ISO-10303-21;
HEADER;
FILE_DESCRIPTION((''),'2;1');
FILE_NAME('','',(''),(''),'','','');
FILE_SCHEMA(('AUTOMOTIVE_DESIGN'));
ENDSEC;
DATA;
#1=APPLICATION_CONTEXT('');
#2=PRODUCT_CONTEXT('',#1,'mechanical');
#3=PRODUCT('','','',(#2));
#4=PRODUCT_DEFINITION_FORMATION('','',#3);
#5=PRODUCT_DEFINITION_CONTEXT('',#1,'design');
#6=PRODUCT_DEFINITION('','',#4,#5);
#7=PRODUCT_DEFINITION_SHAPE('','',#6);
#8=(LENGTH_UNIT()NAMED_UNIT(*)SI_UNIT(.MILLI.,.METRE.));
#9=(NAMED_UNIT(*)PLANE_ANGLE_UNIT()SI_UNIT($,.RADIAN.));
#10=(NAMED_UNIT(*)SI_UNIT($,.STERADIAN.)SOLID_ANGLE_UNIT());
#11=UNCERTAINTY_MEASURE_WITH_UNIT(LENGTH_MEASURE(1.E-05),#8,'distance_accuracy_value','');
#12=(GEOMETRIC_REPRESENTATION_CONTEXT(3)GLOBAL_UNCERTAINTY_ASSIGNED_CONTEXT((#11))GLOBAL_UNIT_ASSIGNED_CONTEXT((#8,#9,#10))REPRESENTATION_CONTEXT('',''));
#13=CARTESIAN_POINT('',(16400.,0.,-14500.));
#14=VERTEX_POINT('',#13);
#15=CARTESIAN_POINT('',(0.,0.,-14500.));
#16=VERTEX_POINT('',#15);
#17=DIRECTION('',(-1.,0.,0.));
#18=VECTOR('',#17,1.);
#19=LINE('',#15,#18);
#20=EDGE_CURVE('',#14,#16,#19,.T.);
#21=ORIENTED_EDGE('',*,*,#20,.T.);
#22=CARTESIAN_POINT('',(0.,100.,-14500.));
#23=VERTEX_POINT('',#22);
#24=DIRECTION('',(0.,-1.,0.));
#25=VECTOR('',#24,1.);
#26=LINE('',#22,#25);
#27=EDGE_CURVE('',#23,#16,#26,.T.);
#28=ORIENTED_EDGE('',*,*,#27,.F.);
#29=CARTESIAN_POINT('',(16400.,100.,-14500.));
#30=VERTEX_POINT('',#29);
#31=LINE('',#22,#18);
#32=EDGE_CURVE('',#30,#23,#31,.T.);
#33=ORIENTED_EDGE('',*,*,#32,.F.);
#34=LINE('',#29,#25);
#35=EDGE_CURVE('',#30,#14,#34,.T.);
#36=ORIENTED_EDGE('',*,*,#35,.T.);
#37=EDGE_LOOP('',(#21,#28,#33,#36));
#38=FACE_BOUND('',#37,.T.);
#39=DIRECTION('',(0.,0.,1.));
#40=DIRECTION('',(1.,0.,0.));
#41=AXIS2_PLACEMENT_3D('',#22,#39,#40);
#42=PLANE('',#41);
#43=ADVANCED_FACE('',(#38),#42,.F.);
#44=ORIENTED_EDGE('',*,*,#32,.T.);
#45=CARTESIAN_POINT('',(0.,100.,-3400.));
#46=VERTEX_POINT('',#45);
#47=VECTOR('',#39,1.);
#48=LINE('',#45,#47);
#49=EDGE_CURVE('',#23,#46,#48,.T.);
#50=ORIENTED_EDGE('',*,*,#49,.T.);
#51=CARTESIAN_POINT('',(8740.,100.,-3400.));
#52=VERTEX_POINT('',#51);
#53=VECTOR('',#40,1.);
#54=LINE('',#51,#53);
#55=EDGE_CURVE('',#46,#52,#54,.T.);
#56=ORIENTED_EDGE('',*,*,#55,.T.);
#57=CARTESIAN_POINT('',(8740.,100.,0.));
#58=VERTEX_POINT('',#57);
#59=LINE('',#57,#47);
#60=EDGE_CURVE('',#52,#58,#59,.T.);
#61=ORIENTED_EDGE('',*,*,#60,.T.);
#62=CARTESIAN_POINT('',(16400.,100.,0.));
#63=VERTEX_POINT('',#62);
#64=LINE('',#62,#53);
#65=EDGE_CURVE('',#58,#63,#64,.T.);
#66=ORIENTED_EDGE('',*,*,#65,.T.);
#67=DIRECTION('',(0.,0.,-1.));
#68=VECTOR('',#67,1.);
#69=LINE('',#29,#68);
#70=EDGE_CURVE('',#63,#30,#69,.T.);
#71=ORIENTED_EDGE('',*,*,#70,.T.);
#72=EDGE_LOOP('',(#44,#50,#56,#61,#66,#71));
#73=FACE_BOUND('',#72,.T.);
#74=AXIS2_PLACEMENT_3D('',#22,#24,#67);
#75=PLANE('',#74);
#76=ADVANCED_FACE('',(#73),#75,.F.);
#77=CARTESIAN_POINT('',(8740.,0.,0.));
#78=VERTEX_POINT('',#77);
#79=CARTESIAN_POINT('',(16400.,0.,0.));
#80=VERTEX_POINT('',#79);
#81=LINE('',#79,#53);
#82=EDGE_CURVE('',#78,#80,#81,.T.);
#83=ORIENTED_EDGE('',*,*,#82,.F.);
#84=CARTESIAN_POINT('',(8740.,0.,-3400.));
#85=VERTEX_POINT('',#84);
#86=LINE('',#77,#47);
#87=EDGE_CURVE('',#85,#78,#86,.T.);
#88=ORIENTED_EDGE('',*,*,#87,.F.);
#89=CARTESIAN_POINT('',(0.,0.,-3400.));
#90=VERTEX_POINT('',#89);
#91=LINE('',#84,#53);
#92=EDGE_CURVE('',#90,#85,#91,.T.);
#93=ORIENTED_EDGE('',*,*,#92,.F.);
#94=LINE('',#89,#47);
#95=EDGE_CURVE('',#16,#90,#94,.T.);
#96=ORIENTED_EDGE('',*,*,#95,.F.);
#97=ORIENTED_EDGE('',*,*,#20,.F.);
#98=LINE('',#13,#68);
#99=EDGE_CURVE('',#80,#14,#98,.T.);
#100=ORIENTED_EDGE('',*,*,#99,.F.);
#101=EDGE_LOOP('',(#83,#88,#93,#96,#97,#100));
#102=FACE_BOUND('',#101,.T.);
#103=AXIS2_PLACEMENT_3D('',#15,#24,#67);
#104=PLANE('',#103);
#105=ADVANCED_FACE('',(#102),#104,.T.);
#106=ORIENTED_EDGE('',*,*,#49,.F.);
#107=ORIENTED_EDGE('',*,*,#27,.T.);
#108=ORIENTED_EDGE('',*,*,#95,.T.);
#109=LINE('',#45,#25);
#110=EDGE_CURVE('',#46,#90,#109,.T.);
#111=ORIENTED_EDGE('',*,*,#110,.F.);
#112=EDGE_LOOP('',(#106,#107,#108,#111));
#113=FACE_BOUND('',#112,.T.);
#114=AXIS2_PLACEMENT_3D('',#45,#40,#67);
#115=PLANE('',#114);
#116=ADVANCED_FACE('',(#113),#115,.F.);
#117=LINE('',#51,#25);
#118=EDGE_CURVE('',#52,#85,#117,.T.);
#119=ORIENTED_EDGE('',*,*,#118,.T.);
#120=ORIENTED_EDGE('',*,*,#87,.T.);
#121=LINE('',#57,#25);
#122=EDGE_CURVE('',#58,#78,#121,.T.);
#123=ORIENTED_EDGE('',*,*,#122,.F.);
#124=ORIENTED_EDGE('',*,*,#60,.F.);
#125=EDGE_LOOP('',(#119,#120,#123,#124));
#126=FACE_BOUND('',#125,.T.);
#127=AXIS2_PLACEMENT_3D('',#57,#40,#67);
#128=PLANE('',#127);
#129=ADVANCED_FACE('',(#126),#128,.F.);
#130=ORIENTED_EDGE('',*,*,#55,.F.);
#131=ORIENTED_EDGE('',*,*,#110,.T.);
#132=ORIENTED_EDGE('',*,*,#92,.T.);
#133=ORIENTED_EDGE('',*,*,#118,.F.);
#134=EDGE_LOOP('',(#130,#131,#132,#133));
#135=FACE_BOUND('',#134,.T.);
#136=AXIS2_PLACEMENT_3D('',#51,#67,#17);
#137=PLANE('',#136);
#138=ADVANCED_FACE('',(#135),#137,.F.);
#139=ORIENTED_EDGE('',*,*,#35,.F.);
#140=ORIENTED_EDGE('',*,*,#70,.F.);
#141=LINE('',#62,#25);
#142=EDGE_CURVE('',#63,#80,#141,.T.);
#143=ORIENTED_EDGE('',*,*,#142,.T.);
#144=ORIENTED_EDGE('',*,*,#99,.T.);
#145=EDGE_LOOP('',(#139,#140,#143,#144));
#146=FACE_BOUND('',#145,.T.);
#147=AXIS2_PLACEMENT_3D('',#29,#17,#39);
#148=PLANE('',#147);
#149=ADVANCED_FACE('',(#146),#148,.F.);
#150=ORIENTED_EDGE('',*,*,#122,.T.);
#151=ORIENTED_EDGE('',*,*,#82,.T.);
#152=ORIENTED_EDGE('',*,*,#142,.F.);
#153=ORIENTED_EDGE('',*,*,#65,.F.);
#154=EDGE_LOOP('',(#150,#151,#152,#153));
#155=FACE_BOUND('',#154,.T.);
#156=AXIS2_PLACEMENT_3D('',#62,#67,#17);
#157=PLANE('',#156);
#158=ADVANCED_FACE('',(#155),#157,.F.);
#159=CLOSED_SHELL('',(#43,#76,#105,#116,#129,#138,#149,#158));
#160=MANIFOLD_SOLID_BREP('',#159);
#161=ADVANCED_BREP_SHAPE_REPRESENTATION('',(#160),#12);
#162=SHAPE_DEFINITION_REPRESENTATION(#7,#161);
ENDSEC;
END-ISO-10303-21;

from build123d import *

# Parameters (mm, degrees)
EXTRUDE_1_DEPTH = 100


with BuildPart() as part:
    # Эскиз1 → Вытянуть1 (new body)
    with BuildSketch(Plane(origin=(0, 0, 0), x_dir=(1, 0, 0), z_dir=(0, 1, 0))):
        Polygon((0, 14500), (16400, 14500), (16400, 0), (8740, 0), (8740, 3400), (0, 3400), align=None)
    extrude(amount=EXTRUDE_1_DEPTH)


solid = part.part
